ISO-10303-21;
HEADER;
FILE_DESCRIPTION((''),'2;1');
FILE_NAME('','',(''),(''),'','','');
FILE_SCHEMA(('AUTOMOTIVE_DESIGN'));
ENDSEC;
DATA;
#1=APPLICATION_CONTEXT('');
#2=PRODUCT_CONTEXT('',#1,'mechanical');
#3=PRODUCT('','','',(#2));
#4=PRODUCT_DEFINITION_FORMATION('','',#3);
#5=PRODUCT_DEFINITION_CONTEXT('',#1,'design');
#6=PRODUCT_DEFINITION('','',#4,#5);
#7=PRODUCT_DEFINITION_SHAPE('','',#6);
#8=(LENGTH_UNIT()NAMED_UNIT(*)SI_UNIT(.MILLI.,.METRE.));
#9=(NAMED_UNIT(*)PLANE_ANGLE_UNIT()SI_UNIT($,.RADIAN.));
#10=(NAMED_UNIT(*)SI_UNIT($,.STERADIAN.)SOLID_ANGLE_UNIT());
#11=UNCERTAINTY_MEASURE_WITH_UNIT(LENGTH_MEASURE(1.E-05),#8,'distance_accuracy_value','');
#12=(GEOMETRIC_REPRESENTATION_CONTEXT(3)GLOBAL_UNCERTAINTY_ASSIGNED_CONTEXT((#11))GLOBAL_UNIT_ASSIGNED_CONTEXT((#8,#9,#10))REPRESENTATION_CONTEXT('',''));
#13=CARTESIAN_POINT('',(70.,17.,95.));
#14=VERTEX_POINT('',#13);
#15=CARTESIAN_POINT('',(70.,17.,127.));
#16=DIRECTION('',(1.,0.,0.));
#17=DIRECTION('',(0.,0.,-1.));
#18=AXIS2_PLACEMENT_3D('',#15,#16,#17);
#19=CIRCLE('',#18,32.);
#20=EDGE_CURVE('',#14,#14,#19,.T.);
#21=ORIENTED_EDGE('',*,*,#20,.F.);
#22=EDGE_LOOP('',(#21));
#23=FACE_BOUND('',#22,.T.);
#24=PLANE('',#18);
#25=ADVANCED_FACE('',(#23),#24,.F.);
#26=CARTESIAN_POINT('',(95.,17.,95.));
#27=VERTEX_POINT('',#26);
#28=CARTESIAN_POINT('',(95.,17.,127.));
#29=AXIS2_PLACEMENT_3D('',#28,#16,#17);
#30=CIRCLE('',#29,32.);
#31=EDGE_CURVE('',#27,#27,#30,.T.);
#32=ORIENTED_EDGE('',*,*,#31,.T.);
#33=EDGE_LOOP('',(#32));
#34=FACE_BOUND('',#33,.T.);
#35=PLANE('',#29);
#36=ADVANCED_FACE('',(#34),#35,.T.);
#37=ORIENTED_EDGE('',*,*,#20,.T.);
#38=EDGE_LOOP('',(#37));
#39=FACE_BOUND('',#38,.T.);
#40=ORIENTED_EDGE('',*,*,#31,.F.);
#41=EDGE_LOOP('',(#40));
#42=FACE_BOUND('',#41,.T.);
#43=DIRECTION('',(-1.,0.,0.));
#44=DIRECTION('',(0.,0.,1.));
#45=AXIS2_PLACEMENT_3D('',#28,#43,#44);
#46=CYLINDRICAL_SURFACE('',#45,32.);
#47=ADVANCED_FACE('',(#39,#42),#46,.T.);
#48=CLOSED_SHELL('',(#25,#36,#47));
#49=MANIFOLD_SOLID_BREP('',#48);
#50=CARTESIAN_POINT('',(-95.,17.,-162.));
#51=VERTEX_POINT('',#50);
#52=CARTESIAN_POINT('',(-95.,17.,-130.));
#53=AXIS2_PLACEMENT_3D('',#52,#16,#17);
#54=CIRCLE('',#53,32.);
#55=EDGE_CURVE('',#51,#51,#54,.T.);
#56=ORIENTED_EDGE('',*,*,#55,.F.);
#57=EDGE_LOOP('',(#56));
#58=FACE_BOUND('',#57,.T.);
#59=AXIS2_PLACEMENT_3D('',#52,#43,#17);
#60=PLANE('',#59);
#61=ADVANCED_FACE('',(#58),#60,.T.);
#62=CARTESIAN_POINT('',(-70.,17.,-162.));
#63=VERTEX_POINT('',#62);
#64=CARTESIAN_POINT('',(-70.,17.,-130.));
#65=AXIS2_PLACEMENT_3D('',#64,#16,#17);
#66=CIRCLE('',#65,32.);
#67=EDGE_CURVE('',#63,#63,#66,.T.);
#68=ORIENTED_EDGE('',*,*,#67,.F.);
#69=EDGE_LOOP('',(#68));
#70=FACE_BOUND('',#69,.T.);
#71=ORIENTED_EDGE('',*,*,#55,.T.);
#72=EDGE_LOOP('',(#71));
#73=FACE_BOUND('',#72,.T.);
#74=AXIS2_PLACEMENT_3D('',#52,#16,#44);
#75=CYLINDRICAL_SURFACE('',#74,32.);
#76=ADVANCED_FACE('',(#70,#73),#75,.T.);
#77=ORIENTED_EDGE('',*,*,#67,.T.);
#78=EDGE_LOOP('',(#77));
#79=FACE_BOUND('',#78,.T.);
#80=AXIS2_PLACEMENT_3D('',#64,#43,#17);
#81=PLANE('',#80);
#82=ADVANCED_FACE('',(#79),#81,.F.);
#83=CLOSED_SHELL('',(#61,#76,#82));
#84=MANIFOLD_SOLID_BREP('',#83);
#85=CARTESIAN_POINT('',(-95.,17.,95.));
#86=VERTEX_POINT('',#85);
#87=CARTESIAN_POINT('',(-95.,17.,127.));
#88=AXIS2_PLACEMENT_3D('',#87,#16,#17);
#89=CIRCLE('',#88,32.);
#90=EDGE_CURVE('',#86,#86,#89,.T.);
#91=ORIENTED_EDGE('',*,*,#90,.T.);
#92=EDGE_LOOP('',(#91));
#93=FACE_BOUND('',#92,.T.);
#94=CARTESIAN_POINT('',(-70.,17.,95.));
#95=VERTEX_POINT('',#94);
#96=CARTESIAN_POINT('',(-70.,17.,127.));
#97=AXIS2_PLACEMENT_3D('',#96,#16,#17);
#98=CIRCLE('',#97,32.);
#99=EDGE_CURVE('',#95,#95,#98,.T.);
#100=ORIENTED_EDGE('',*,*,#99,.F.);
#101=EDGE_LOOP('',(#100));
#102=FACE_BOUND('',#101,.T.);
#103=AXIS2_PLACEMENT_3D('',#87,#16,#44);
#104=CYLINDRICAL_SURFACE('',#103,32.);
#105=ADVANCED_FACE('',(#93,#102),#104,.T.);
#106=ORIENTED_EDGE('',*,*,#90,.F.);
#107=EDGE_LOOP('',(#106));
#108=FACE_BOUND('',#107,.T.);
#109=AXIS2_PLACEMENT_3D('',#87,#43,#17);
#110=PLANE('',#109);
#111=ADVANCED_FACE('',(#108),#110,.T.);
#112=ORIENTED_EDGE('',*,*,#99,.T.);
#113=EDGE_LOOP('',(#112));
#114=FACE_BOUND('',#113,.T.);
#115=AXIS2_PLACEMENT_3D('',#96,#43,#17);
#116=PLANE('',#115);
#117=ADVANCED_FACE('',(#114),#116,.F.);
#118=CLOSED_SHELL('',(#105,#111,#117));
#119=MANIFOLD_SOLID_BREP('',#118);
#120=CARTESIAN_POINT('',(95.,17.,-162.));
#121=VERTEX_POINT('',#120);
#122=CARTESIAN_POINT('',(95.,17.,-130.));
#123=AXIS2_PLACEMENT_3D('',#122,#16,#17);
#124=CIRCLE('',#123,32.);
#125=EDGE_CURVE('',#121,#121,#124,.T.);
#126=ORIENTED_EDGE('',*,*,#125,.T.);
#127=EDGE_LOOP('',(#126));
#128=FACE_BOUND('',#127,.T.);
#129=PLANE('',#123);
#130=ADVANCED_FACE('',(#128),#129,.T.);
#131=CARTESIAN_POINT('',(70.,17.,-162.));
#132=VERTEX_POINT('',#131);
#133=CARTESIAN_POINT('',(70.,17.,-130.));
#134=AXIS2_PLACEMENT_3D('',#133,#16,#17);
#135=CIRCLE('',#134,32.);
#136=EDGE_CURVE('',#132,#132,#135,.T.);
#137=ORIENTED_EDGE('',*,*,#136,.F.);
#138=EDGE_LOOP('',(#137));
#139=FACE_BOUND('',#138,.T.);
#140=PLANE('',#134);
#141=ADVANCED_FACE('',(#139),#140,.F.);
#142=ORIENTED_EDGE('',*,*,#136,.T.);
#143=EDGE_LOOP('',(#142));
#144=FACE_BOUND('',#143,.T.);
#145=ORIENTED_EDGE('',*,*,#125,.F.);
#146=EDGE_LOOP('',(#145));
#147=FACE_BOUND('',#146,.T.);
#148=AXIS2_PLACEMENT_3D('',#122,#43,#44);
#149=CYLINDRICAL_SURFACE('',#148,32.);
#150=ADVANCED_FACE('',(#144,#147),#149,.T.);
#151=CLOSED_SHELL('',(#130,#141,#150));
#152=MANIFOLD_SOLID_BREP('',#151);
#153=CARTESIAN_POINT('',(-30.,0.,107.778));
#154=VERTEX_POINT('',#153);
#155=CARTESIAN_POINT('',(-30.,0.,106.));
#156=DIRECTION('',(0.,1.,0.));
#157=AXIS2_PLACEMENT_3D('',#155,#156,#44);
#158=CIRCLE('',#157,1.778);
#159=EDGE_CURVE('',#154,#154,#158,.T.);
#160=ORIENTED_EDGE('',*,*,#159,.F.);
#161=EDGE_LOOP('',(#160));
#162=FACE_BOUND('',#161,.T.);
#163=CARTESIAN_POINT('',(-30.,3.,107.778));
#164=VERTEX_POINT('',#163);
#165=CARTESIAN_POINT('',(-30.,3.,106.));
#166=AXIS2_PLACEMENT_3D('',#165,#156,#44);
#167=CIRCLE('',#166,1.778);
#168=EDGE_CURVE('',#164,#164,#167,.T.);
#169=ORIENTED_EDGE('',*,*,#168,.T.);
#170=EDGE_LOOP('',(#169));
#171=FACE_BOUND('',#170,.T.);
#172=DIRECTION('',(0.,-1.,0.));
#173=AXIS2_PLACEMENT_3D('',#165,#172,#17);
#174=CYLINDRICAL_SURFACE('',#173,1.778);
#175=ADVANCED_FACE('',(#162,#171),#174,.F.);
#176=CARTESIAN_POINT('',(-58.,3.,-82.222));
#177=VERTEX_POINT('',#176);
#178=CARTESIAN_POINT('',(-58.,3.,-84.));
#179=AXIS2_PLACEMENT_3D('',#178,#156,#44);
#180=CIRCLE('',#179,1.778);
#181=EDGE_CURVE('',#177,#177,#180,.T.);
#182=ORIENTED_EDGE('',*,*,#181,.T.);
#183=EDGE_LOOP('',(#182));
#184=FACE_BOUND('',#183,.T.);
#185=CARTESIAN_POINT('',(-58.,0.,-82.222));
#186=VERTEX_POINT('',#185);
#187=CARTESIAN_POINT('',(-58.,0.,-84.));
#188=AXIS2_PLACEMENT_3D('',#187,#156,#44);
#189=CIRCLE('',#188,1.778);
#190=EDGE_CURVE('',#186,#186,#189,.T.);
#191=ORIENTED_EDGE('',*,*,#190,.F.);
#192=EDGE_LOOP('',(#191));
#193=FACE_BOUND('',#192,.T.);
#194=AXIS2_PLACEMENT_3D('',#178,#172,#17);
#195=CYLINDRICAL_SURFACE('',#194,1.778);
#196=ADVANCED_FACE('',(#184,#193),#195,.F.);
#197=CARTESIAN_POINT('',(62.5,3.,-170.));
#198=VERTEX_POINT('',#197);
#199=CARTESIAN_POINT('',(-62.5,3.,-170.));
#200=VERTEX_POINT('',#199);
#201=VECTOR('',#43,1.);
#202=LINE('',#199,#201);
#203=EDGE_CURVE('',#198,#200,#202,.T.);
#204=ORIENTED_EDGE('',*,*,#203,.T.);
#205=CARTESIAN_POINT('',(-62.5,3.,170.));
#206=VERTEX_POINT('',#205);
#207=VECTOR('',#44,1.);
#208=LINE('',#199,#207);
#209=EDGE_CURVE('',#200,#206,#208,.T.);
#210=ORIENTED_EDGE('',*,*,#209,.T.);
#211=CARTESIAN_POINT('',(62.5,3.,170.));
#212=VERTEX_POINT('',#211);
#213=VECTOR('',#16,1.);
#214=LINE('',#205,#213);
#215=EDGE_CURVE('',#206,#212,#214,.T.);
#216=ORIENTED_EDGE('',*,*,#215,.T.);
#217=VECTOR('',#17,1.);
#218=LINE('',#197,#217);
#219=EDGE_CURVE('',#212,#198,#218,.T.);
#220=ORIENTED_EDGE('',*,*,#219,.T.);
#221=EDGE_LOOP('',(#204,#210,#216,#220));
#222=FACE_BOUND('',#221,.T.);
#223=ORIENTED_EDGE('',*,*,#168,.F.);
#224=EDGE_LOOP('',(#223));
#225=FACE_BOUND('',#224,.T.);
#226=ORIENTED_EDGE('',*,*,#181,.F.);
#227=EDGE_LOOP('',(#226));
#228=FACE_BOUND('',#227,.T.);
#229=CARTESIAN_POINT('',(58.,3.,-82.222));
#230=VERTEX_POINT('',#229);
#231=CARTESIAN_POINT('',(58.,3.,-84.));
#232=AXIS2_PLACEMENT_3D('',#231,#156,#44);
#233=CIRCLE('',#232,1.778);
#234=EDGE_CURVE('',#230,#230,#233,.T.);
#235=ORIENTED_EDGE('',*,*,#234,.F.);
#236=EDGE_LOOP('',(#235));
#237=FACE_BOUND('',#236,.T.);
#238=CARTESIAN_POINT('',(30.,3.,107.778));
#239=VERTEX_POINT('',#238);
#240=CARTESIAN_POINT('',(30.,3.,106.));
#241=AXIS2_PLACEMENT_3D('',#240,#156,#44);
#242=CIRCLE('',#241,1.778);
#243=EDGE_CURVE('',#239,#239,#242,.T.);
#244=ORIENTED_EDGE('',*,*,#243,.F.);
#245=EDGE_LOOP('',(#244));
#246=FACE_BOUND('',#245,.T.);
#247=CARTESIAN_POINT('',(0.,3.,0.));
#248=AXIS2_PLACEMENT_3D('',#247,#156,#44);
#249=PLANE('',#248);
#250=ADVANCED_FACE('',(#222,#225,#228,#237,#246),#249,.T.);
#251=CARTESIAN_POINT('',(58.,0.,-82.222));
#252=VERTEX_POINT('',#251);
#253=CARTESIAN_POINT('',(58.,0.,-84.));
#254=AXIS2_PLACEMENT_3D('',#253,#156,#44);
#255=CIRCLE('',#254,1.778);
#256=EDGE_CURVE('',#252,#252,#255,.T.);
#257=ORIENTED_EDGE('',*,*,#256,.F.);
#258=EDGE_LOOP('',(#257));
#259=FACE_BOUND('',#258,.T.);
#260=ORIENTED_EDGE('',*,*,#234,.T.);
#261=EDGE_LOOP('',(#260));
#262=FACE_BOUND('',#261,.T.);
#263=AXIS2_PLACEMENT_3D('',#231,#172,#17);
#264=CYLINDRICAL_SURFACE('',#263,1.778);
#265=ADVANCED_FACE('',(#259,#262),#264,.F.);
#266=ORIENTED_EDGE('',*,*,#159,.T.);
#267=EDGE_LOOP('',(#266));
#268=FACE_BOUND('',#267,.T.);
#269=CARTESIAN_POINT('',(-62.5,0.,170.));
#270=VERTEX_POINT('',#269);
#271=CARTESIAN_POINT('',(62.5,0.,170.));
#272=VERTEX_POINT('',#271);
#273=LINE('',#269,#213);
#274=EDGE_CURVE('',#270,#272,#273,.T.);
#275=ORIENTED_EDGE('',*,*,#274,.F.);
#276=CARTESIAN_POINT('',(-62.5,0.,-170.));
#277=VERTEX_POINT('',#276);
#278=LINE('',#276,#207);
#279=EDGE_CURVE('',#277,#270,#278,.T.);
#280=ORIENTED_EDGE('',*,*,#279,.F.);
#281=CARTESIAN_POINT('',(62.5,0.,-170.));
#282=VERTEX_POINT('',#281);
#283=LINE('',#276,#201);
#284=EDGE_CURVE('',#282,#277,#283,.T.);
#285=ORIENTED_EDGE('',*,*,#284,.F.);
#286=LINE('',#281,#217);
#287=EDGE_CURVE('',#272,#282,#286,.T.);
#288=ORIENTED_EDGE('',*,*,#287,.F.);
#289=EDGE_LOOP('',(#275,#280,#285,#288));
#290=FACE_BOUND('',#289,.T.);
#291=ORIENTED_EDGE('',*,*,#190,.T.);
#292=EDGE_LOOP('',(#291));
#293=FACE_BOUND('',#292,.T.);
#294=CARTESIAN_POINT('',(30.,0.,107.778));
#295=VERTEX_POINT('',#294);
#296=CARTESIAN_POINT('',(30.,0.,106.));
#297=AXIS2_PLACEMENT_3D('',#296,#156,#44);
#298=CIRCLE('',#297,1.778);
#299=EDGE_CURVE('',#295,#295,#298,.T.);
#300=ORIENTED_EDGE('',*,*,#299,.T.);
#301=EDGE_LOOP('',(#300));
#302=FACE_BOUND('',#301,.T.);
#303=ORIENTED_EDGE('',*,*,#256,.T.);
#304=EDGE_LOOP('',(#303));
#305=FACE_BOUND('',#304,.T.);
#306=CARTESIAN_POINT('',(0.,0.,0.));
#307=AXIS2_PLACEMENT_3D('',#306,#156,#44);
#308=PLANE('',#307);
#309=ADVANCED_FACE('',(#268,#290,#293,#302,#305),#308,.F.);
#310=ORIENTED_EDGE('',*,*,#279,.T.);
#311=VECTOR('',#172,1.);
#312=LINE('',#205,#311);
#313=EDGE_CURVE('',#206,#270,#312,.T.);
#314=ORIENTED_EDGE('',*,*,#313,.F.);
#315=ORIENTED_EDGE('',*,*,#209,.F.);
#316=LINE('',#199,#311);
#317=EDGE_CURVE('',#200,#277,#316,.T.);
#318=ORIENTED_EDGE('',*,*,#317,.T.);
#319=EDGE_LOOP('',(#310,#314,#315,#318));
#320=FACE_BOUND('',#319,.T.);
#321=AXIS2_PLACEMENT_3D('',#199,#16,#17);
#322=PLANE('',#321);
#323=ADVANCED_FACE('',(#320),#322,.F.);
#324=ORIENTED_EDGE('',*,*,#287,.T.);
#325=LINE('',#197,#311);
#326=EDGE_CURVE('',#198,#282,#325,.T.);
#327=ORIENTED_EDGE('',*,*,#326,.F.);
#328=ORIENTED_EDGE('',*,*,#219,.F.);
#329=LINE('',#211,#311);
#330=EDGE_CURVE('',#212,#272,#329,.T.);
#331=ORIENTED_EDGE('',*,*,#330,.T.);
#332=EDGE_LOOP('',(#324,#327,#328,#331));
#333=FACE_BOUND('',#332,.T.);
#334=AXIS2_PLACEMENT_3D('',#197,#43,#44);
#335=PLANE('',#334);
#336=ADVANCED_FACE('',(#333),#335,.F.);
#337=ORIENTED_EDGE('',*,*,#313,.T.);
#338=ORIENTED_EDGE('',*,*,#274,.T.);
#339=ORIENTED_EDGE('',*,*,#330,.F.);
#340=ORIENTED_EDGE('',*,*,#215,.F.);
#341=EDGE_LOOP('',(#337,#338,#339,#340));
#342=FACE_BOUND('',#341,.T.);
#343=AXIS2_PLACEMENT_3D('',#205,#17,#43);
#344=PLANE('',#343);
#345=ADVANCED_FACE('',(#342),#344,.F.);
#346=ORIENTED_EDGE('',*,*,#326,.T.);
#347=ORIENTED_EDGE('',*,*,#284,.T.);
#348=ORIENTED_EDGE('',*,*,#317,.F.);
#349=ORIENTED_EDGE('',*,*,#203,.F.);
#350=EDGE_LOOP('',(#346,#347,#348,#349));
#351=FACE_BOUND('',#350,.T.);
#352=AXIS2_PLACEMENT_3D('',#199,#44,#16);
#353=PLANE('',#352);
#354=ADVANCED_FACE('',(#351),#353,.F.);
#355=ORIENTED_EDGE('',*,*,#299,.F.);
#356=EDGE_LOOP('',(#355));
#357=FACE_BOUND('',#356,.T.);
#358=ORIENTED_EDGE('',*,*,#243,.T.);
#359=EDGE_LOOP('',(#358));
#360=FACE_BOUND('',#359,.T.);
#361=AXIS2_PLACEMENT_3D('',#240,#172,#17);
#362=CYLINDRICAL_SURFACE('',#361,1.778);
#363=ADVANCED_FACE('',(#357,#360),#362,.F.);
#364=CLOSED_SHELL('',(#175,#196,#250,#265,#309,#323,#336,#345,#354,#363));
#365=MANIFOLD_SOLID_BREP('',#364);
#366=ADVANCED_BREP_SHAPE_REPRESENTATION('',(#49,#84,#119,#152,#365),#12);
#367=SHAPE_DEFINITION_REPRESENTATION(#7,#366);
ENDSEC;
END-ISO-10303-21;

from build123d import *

# Parameters (mm, degrees)
SKETCH1_W             = 125
SKETCH1_H             = 340
SKETCH1_R             = 1.778
BOSS_EXTRUDE1_DEPTH   = 3
BOSS_EXTRUDE2_START   = 70
SKETCH2_R             = 32
BOSS_EXTRUDE2_DEPTH   = 25
BOSS_EXTRUDE2_2_DEPTH = 25


with BuildPart() as part:
    # Sketch1 → Boss-Extrude1 (new body)
    with BuildSketch(Plane(origin=(0, 0, 0), x_dir=(1, 0, 0), z_dir=(0, 1, 0))):
        Rectangle(SKETCH1_W, SKETCH1_H)
        with Locations(Location((-58, 84, 0), (0, 0, 270))):
            Circle(SKETCH1_R, mode=Mode.SUBTRACT)
        with Locations(Location((58, 84, 0), (0, 0, 270))):
            Circle(SKETCH1_R, mode=Mode.SUBTRACT)
        with Locations(Location((-30, -106, 0), (0, 0, 270))):
            Circle(SKETCH1_R, mode=Mode.SUBTRACT)
        with Locations(Location((30, -106, 0), (0, 0, 270))):
            Circle(SKETCH1_R, mode=Mode.SUBTRACT)
    extrude(amount=BOSS_EXTRUDE1_DEPTH)


with BuildPart() as body_2:
    # Sketch2 → Boss-Extrude2 (new body)
    with BuildSketch(Plane(origin=(0, 0, 0), x_dir=(0, 0, -1), z_dir=(1, 0, 0)).offset(BOSS_EXTRUDE2_START)):
        with Locations((130, 17)):
            Circle(SKETCH2_R)
    extrude(amount=BOSS_EXTRUDE2_DEPTH)


with BuildPart() as body_3:
    # Sketch2 → Boss-Extrude2 2 (new body)
    with BuildSketch(Plane(origin=(0, 0, 0), x_dir=(0, 0, -1), z_dir=(1, 0, 0)).offset(BOSS_EXTRUDE2_START)):
        with Locations((-127, 17)):
            Circle(SKETCH2_R)
    extrude(amount=BOSS_EXTRUDE2_2_DEPTH)


with BuildPart() as body_4:
    # Mirror5: mirrored copy
    add(body_2.part.mirror(Plane(origin=(0, 0, 0), x_dir=(0, 0, 1), z_dir=(1, 0, 0))))


with BuildPart() as body_5:
    # Mirror5 2: mirrored copy
    add(body_3.part.mirror(Plane(origin=(0, 0, 0), x_dir=(0, 0, 1), z_dir=(1, 0, 0))))


solid = Compound([part.part, body_2.part, body_3.part, body_4.part, body_5.part])
